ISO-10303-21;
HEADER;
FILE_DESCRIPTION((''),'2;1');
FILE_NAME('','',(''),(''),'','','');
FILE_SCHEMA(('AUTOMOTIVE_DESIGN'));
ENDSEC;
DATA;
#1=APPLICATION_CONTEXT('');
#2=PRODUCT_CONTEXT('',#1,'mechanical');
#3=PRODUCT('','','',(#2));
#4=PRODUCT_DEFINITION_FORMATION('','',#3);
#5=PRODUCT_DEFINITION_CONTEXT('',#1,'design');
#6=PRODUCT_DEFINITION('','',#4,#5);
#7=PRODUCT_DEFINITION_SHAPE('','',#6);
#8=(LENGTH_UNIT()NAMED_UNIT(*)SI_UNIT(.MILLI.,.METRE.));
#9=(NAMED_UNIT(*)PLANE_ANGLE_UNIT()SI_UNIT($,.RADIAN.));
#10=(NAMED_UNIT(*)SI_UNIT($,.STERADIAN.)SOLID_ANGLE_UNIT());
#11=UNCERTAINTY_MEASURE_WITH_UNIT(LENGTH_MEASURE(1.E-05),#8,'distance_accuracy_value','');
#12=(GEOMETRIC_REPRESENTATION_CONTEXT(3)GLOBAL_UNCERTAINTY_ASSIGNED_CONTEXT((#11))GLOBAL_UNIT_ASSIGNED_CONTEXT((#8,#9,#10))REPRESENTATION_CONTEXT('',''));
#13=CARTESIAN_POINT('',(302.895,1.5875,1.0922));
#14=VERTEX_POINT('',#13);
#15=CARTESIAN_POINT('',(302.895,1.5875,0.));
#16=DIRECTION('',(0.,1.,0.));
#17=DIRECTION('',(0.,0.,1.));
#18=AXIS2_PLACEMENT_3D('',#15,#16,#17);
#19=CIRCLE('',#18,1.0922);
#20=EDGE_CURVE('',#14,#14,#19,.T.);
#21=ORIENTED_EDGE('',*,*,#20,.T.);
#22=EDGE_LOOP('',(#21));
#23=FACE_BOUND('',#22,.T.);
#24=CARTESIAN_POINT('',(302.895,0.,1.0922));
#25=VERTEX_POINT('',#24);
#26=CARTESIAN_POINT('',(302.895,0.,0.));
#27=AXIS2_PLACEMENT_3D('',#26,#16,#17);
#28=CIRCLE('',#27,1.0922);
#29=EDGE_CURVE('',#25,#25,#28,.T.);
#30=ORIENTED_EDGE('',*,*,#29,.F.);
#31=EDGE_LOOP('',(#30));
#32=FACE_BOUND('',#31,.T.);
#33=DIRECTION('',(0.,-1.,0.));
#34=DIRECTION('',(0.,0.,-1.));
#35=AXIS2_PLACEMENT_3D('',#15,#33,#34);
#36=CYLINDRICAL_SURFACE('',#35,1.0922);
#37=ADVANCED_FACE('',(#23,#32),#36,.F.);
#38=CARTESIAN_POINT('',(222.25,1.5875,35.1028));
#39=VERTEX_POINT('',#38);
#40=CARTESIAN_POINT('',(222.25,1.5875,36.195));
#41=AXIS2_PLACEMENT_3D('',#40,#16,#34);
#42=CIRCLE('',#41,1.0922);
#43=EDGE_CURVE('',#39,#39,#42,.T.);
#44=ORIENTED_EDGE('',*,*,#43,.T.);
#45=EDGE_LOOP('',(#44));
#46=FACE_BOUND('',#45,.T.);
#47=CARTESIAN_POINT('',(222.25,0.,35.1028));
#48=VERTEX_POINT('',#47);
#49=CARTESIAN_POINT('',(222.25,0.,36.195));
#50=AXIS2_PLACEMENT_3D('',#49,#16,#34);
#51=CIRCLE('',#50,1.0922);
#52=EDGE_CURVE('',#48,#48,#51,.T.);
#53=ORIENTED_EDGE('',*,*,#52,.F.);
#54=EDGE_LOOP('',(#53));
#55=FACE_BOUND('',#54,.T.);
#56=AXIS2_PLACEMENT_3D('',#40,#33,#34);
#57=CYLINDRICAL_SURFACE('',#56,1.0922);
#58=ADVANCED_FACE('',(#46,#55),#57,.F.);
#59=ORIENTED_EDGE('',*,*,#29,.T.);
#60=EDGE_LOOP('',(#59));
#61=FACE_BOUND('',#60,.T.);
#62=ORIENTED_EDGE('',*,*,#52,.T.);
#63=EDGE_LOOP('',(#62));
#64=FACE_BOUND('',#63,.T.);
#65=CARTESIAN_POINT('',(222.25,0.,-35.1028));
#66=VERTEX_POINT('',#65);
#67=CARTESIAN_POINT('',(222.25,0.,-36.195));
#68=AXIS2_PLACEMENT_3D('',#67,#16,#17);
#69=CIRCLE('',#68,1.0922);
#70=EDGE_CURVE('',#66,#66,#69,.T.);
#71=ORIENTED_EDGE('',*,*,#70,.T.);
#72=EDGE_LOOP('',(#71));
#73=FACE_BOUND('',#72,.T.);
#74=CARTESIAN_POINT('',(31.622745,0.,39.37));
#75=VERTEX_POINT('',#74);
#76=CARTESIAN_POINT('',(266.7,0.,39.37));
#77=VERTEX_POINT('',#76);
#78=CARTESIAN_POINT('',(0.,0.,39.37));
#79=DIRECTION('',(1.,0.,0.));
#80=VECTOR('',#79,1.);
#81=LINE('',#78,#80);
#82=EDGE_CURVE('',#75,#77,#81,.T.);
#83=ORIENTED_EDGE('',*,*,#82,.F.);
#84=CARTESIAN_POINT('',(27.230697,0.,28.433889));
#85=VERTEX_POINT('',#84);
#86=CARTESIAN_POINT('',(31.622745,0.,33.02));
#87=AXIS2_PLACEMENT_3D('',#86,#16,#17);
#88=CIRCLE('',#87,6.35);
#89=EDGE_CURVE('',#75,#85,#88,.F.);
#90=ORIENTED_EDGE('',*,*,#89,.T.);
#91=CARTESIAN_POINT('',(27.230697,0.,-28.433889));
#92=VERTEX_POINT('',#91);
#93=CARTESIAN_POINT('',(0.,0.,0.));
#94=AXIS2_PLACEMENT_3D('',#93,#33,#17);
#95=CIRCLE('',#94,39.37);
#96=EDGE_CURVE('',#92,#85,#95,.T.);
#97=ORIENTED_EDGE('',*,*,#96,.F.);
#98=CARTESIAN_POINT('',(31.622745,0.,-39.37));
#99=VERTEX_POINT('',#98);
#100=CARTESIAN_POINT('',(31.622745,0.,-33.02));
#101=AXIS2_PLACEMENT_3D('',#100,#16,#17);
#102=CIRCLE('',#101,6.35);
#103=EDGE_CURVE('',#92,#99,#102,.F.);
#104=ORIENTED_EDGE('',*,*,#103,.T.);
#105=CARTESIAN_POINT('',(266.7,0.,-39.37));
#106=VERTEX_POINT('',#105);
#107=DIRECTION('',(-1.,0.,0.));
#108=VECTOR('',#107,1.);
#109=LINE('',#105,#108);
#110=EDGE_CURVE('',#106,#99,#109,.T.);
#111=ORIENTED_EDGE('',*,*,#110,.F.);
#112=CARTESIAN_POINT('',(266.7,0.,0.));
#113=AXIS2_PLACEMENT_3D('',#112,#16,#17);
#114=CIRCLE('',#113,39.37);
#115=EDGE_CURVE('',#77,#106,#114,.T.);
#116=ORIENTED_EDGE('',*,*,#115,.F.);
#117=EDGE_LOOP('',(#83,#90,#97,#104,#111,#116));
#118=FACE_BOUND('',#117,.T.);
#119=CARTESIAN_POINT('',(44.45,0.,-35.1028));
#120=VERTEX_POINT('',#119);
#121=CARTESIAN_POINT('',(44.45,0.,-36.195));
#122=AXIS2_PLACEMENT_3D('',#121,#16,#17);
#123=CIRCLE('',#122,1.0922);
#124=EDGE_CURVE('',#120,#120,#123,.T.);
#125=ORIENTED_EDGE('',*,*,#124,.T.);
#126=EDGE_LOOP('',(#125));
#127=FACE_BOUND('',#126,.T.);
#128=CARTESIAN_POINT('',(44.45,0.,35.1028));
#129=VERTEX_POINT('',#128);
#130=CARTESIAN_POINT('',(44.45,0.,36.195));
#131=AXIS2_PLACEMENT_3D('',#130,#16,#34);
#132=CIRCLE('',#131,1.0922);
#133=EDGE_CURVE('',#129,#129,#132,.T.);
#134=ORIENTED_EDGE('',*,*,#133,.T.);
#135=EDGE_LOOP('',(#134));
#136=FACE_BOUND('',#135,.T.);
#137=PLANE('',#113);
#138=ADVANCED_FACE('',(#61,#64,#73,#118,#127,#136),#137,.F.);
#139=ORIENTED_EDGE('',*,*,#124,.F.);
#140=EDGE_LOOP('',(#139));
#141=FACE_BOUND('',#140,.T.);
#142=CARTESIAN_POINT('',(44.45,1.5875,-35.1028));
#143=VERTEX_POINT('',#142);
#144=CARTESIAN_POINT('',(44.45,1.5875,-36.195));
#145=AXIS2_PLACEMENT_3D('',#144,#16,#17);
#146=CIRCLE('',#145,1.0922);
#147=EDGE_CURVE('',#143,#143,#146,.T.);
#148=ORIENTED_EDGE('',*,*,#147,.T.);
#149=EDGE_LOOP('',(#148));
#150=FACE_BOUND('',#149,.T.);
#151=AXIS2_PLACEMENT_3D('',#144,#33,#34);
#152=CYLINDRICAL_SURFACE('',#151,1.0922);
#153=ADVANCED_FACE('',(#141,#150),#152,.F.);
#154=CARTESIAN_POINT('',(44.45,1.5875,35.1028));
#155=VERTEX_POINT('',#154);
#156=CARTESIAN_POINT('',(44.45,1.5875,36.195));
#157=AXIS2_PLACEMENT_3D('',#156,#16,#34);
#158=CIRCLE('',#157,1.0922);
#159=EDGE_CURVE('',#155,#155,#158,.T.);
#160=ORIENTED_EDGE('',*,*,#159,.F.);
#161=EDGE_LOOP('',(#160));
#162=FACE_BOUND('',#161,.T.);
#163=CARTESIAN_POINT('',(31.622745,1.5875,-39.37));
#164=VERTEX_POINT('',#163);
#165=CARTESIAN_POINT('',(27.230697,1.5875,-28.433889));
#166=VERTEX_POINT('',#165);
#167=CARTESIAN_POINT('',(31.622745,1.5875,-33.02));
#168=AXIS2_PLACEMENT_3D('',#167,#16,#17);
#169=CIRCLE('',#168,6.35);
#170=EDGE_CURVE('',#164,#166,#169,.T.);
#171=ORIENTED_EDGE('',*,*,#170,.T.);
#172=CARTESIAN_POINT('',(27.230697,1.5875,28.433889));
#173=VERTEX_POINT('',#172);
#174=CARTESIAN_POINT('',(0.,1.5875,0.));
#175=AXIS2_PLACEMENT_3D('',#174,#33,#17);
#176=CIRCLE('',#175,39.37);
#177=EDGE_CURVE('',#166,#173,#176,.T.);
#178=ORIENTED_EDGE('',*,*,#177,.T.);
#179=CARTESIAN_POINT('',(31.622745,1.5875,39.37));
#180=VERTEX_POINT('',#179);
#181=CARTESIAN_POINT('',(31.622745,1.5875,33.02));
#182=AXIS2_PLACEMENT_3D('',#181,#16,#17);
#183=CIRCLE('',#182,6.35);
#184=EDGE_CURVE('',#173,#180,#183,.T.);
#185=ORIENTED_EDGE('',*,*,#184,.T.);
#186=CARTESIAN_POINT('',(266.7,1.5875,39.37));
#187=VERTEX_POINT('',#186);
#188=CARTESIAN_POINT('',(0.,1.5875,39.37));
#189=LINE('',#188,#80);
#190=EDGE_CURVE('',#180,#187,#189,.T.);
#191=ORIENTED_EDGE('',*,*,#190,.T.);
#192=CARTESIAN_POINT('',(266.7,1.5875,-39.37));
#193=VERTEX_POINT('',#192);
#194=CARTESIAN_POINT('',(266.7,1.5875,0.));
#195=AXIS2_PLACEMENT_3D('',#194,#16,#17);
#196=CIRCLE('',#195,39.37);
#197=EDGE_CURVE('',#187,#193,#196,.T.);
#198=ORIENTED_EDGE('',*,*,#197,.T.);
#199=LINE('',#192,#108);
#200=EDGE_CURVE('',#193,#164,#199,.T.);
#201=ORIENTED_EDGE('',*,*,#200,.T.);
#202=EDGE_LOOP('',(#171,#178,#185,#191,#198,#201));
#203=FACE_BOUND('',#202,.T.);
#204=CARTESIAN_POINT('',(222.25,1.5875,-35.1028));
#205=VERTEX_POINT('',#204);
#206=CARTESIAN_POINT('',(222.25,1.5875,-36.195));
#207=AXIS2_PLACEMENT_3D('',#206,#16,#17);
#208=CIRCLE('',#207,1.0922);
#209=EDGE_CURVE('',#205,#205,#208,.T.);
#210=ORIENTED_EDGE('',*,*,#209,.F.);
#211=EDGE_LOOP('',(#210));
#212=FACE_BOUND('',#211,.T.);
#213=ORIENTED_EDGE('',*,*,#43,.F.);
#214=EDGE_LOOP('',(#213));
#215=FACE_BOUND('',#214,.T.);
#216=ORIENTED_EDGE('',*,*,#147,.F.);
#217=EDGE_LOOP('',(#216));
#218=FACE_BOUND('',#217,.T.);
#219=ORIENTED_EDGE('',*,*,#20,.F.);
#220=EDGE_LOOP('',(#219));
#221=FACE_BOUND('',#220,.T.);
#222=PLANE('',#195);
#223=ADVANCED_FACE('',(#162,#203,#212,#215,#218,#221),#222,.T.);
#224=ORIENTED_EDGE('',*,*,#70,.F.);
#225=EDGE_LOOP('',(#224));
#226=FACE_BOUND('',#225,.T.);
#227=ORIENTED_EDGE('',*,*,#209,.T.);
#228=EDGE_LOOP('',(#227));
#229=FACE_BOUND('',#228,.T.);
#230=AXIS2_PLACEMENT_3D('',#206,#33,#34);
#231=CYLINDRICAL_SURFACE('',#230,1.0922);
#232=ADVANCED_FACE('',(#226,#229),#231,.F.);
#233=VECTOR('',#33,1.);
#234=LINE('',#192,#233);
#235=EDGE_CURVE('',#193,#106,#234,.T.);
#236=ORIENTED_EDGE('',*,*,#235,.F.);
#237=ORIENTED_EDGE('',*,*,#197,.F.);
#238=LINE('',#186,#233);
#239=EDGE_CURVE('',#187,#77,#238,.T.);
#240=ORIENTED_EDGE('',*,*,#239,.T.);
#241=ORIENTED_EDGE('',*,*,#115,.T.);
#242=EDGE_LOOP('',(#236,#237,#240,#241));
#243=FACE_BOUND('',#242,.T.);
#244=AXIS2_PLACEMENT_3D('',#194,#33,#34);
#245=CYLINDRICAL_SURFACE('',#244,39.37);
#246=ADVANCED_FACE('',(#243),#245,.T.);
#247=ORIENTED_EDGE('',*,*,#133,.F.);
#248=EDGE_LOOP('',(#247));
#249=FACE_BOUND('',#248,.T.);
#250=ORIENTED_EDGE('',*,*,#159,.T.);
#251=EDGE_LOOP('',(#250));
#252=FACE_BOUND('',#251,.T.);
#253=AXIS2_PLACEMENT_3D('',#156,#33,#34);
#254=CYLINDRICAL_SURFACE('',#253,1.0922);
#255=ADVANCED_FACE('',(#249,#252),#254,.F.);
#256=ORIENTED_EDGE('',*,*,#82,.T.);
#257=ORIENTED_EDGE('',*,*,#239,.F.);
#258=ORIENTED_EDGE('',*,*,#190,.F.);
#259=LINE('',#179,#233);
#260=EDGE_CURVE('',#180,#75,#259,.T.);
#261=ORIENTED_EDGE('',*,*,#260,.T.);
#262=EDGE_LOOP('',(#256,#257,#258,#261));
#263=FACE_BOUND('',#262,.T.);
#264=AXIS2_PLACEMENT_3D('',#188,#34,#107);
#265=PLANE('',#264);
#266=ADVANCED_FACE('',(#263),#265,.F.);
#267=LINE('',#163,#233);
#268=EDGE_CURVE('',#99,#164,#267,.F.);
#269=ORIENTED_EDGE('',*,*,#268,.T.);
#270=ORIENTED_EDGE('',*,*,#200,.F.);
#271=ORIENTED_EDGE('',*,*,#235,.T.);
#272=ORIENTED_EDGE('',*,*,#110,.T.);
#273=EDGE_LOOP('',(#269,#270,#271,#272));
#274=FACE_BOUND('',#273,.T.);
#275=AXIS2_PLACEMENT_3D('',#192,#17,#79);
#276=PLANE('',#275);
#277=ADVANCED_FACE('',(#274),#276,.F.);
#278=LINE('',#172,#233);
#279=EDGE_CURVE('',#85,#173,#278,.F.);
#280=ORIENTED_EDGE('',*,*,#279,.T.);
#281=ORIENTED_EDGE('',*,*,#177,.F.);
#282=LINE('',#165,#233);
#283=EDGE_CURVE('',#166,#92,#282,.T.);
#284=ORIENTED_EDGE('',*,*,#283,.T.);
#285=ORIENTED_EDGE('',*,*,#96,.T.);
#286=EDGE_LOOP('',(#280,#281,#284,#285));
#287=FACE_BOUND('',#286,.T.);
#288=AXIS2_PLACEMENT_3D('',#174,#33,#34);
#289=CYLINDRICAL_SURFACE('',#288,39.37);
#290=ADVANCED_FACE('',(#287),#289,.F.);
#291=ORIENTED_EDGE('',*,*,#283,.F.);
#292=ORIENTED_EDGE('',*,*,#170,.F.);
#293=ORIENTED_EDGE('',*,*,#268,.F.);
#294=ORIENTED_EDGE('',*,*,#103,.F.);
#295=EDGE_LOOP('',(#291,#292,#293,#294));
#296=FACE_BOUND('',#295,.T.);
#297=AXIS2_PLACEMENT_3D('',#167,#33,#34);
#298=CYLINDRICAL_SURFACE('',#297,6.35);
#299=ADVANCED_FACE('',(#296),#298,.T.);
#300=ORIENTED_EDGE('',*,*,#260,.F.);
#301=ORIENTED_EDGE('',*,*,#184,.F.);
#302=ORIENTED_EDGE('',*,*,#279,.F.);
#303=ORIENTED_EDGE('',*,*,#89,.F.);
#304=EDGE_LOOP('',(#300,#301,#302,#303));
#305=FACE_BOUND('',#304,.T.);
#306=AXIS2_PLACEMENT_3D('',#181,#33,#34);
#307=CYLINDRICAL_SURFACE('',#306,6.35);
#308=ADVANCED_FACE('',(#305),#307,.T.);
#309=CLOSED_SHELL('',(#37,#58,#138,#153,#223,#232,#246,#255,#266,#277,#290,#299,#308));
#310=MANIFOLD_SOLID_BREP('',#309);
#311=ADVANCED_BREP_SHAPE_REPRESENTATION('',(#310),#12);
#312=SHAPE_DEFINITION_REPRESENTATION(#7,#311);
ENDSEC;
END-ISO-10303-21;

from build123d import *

# Parameters (mm, degrees)
SKETCH1_R           = 1.0922
BOSS_EXTRUDE1_DEPTH = 1.5875
FILLET1_R           = 6.35


with BuildPart() as part:
    # Sketch1 → Boss-Extrude1 (new body)
    with BuildSketch(Plane(origin=(0, 0, 0), x_dir=(1, 0, 0), z_dir=(0, 1, 0))):
        with BuildLine():
            Line((266.7, 39.37), (0, 39.37))
            ThreePointArc((0, 39.37), (39.37, 0), (0, -39.37))
            Line((0, -39.37), (266.7, -39.37))
            ThreePointArc((266.7, -39.37), (306.07, 0), (266.7, 39.37))
        make_face()
        with Locations((302.895, 0)):
            Circle(SKETCH1_R, mode=Mode.SUBTRACT)
        with Locations((222.25, 36.195)):
            Circle(SKETCH1_R, mode=Mode.SUBTRACT)
        with Locations((44.45, 36.195)):
            Circle(SKETCH1_R, mode=Mode.SUBTRACT)
        with Locations((44.45, -36.195)):
            Circle(SKETCH1_R, mode=Mode.SUBTRACT)
        with Locations((222.25, -36.195)):
            Circle(SKETCH1_R, mode=Mode.SUBTRACT)
    extrude(amount=BOSS_EXTRUDE1_DEPTH)

    # Fillet1
    fillet1_edges = [part.edges().sort_by_distance(p)[0] for p in [
        (0, 0.79375, 39.37),
        (0, 0.79375, -39.37),
    ]]
    fillet(fillet1_edges, radius=FILLET1_R)


solid = part.part
